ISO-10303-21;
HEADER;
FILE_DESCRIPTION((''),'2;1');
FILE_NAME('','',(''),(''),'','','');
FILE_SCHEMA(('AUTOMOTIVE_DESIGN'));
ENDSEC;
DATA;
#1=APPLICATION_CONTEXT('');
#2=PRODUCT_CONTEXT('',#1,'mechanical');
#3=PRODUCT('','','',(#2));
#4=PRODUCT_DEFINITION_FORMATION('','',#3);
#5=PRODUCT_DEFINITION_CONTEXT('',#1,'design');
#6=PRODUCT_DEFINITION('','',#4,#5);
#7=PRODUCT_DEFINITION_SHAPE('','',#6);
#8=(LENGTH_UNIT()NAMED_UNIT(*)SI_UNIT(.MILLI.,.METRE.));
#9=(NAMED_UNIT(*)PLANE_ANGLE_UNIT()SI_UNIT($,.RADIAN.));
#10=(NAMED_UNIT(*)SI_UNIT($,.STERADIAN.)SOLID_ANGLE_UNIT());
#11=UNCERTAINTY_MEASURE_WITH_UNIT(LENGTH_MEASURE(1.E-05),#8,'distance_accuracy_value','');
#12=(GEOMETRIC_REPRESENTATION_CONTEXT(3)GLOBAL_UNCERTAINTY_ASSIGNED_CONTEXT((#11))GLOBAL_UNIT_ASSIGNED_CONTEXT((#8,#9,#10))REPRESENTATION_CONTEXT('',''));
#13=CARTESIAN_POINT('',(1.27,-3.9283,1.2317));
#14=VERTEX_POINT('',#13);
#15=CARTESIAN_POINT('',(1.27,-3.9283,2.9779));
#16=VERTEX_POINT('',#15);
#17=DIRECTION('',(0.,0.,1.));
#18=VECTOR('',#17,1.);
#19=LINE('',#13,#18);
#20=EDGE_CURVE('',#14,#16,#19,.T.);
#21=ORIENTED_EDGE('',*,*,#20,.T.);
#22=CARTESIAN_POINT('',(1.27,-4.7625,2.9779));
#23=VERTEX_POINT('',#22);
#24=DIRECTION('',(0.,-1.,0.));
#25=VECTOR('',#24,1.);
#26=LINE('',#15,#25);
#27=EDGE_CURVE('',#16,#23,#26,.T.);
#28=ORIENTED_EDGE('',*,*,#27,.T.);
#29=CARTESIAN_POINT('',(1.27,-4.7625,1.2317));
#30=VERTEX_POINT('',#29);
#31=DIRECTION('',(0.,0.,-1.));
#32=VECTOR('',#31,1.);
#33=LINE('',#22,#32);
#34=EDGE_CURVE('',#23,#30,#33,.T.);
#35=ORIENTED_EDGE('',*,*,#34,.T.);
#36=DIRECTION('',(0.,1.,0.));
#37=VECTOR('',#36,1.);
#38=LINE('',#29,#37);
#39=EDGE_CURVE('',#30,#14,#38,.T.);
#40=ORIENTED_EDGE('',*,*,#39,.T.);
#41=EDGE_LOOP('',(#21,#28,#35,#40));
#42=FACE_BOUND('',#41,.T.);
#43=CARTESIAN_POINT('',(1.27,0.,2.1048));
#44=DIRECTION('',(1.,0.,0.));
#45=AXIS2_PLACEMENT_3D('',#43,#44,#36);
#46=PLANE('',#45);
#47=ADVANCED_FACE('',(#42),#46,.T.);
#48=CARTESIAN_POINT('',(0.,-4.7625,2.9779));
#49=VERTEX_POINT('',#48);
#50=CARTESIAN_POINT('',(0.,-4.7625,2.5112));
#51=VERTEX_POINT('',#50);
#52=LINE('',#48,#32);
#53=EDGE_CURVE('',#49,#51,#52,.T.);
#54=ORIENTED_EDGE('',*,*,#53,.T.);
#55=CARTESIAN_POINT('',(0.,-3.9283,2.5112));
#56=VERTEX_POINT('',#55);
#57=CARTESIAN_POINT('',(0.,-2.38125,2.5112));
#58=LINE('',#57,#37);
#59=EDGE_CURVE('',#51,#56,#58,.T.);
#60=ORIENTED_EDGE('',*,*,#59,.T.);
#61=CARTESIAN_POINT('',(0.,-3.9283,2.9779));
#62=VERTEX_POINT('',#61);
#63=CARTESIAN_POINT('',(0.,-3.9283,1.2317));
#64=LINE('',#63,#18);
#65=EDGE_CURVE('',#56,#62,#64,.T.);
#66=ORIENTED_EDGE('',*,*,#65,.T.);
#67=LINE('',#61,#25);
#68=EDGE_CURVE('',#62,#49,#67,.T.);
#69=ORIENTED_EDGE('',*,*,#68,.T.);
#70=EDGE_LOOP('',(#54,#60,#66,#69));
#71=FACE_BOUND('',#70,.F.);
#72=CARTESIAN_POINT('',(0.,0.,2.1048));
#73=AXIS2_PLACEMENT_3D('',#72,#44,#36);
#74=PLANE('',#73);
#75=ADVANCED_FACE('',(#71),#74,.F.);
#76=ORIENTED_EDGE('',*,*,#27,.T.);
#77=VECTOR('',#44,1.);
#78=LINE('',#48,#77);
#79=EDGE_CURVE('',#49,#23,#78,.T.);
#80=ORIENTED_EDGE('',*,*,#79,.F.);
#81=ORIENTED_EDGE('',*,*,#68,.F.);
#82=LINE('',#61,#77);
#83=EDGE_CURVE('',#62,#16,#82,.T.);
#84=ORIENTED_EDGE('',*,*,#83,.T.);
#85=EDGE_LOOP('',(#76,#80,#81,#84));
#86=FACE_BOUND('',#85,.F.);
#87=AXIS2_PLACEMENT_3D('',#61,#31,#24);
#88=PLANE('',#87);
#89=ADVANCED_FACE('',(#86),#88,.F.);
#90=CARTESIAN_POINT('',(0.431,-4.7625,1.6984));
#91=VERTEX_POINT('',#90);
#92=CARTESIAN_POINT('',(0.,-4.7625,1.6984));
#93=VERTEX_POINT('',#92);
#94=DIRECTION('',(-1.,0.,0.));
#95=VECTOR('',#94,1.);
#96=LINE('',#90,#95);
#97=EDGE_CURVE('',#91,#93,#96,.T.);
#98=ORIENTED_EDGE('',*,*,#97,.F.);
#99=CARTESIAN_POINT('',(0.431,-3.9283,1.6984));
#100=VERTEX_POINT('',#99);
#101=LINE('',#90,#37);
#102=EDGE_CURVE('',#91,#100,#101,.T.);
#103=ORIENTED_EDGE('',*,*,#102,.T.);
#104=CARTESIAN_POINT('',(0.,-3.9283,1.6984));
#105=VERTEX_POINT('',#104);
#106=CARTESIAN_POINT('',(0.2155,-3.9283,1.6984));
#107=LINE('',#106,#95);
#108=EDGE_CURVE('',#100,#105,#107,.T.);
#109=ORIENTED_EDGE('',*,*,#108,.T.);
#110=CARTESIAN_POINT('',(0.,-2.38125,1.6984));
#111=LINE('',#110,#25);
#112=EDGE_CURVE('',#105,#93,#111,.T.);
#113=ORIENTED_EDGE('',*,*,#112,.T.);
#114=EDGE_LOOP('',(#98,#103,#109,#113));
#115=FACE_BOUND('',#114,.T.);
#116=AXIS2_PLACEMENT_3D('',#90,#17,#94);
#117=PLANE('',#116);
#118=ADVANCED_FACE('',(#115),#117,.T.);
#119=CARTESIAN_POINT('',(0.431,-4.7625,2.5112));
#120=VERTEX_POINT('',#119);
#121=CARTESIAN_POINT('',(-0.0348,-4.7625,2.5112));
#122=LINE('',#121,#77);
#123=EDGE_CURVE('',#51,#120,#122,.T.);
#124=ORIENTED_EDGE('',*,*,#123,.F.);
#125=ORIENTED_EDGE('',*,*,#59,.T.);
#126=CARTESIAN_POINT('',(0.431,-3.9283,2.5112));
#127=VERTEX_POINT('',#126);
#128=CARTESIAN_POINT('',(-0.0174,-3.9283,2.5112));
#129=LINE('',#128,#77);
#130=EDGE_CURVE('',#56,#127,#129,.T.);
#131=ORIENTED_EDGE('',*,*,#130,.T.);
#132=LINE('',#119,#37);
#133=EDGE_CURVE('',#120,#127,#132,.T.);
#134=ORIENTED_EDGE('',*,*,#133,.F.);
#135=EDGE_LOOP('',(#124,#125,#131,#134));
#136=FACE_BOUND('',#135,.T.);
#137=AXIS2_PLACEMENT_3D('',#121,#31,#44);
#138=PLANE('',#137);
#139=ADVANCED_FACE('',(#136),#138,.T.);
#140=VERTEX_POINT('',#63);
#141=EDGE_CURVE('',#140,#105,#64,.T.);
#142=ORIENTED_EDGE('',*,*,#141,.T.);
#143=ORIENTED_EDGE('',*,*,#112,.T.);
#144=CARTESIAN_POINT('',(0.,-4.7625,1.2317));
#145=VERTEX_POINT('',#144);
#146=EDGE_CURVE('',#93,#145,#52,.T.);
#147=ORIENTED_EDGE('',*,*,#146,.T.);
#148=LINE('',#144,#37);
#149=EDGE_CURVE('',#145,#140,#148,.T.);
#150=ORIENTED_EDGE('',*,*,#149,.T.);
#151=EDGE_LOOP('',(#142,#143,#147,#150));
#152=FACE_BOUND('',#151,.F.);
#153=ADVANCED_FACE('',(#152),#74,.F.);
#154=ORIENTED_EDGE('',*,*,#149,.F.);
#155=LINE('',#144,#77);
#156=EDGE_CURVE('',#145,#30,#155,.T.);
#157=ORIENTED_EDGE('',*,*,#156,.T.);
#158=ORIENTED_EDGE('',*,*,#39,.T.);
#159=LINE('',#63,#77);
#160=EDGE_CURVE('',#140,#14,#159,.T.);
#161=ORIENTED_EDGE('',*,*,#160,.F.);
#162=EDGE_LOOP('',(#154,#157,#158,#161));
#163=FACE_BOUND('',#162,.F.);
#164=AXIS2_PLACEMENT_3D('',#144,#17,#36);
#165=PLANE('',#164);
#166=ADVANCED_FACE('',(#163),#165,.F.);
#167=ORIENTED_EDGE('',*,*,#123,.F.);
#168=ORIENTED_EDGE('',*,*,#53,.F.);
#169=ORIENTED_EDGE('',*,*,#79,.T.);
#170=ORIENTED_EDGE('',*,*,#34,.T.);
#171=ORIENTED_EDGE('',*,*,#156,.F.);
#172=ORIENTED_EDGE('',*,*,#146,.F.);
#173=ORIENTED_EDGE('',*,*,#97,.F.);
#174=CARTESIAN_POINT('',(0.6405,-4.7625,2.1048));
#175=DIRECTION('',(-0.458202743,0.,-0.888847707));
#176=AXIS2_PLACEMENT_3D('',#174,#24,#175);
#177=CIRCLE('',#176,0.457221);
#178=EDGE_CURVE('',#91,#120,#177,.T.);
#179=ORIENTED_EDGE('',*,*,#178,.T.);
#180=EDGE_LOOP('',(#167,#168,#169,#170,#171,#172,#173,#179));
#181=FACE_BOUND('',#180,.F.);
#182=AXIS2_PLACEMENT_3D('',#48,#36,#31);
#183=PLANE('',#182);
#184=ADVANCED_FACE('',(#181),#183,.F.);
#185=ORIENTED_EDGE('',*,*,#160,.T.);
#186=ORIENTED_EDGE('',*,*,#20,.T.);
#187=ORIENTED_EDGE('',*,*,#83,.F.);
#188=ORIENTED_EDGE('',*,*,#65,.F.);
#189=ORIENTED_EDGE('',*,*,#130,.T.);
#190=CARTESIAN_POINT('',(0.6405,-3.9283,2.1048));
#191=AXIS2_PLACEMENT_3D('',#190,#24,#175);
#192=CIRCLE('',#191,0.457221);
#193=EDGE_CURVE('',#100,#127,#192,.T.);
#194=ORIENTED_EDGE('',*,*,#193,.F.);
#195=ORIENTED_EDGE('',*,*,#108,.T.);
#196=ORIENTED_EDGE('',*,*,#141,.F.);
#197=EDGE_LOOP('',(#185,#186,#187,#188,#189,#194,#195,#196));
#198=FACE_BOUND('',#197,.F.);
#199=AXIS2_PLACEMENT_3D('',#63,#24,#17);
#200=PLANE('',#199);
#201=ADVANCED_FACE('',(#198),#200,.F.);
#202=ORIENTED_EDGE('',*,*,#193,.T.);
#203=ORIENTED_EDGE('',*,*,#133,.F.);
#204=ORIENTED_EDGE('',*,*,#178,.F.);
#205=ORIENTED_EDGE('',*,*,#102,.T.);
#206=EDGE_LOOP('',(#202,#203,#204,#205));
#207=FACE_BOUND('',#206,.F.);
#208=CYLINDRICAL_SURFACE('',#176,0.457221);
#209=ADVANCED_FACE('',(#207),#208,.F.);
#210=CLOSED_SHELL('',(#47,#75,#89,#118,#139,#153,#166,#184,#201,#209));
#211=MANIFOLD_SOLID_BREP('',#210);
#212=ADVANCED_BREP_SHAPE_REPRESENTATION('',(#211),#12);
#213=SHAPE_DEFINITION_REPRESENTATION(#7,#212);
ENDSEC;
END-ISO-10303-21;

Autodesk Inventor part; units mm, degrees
ref_plane "YZ Plane" through (0, 0, 0) normal (1, 0, 0) x (0, 1, 0)
ref_plane "XZ Plane" through (0, 0, 0) normal (0, 1, 0) x (-1, 0, 0)
ref_plane "XY Plane" through (0, 0, 0) normal (0, 0, 1) x (1, 0, 0)
sketch "Sketch1" plane through (0, 0, 2.1048) normal (1, 0, 0) x (0, 1, 0)
  line L0 (-5.8691, -5.0828) -> (5.8691, -5.0828)
  line L1 (-3.9283, -0.8731) -> (-3.9283, 0.8731)
  line L2 (-3.9283, 0.8731) -> (-4.7625, 0.8731)
  line L3 (-4.7625, 0.8731) -> (-4.7625, -0.8731)
  line L4 (-4.7625, -0.8731) -> (-3.9283, -0.8731)
  line L5 (-3.9283, -0.8731) -> (-4.7625, 0.8731) construction
  line L6 (-3.9283, 0.8731) -> (-4.7625, -0.8731) construction
  point P0 (0, 0)
  point P1 (1.6165, -2.7999)
  point P2 (-4.3454, 0)
extrude "Extrusion1" add sketch "Sketch1" along normal blind 1.27
sketch "Sketch2" plane through (-4.7625, -4.7625, 0) normal (0, -1, 0) x (-1, 0, 0)
  arc A0 (-5.1935, -1.6984) -> (-5.1935, -2.5112) centre (-5.403, -2.1048) ccw
  line L0 (-6.0325, -1.2317) -> (-12.065, -1.2317)
  line L1 (-4.7625, -2.9779) -> (-6.0325, -2.9779) projected
  arc A1 (-5.1935, -1.6984) -> (-5.1935, -2.5112) centre (-5.403, -2.1048) ccw
  line L2 (-6.0325, -2.9779) -> (-6.0325, -1.2317) projected
  line L3 (-5.1935, -1.6984) -> (-4.7277, -1.6984)
  line L4 (-4.7277, -2.5112) -> (-5.1935, -2.5112)
  line L5 (-4.7277, -1.6984) -> (-4.7277, -2.5112)
  point P0 (-3.175, 0.8731)
  point P1 (0, 1.7462)
  point P2 (0, 0)
  point P3 (-6.0325, -2.1048)
  point P4 (-4.997, -2.5282)
  point P5 (-5.0204, -1.6646)
  dimension "d11" = 0.8731
  dimension "d13" = 0.4572
  dimension "d14" = 0.6295
  dimension "d15" = 0.8128
  dimension "d17" = 0.4658
  dimension "d18" = 0.4658
extrude "Extrusion2" cut sketch "Sketch2" against normal blind 1.27
equation "\"d18\" = d17"
properties part number "WireSlot"
